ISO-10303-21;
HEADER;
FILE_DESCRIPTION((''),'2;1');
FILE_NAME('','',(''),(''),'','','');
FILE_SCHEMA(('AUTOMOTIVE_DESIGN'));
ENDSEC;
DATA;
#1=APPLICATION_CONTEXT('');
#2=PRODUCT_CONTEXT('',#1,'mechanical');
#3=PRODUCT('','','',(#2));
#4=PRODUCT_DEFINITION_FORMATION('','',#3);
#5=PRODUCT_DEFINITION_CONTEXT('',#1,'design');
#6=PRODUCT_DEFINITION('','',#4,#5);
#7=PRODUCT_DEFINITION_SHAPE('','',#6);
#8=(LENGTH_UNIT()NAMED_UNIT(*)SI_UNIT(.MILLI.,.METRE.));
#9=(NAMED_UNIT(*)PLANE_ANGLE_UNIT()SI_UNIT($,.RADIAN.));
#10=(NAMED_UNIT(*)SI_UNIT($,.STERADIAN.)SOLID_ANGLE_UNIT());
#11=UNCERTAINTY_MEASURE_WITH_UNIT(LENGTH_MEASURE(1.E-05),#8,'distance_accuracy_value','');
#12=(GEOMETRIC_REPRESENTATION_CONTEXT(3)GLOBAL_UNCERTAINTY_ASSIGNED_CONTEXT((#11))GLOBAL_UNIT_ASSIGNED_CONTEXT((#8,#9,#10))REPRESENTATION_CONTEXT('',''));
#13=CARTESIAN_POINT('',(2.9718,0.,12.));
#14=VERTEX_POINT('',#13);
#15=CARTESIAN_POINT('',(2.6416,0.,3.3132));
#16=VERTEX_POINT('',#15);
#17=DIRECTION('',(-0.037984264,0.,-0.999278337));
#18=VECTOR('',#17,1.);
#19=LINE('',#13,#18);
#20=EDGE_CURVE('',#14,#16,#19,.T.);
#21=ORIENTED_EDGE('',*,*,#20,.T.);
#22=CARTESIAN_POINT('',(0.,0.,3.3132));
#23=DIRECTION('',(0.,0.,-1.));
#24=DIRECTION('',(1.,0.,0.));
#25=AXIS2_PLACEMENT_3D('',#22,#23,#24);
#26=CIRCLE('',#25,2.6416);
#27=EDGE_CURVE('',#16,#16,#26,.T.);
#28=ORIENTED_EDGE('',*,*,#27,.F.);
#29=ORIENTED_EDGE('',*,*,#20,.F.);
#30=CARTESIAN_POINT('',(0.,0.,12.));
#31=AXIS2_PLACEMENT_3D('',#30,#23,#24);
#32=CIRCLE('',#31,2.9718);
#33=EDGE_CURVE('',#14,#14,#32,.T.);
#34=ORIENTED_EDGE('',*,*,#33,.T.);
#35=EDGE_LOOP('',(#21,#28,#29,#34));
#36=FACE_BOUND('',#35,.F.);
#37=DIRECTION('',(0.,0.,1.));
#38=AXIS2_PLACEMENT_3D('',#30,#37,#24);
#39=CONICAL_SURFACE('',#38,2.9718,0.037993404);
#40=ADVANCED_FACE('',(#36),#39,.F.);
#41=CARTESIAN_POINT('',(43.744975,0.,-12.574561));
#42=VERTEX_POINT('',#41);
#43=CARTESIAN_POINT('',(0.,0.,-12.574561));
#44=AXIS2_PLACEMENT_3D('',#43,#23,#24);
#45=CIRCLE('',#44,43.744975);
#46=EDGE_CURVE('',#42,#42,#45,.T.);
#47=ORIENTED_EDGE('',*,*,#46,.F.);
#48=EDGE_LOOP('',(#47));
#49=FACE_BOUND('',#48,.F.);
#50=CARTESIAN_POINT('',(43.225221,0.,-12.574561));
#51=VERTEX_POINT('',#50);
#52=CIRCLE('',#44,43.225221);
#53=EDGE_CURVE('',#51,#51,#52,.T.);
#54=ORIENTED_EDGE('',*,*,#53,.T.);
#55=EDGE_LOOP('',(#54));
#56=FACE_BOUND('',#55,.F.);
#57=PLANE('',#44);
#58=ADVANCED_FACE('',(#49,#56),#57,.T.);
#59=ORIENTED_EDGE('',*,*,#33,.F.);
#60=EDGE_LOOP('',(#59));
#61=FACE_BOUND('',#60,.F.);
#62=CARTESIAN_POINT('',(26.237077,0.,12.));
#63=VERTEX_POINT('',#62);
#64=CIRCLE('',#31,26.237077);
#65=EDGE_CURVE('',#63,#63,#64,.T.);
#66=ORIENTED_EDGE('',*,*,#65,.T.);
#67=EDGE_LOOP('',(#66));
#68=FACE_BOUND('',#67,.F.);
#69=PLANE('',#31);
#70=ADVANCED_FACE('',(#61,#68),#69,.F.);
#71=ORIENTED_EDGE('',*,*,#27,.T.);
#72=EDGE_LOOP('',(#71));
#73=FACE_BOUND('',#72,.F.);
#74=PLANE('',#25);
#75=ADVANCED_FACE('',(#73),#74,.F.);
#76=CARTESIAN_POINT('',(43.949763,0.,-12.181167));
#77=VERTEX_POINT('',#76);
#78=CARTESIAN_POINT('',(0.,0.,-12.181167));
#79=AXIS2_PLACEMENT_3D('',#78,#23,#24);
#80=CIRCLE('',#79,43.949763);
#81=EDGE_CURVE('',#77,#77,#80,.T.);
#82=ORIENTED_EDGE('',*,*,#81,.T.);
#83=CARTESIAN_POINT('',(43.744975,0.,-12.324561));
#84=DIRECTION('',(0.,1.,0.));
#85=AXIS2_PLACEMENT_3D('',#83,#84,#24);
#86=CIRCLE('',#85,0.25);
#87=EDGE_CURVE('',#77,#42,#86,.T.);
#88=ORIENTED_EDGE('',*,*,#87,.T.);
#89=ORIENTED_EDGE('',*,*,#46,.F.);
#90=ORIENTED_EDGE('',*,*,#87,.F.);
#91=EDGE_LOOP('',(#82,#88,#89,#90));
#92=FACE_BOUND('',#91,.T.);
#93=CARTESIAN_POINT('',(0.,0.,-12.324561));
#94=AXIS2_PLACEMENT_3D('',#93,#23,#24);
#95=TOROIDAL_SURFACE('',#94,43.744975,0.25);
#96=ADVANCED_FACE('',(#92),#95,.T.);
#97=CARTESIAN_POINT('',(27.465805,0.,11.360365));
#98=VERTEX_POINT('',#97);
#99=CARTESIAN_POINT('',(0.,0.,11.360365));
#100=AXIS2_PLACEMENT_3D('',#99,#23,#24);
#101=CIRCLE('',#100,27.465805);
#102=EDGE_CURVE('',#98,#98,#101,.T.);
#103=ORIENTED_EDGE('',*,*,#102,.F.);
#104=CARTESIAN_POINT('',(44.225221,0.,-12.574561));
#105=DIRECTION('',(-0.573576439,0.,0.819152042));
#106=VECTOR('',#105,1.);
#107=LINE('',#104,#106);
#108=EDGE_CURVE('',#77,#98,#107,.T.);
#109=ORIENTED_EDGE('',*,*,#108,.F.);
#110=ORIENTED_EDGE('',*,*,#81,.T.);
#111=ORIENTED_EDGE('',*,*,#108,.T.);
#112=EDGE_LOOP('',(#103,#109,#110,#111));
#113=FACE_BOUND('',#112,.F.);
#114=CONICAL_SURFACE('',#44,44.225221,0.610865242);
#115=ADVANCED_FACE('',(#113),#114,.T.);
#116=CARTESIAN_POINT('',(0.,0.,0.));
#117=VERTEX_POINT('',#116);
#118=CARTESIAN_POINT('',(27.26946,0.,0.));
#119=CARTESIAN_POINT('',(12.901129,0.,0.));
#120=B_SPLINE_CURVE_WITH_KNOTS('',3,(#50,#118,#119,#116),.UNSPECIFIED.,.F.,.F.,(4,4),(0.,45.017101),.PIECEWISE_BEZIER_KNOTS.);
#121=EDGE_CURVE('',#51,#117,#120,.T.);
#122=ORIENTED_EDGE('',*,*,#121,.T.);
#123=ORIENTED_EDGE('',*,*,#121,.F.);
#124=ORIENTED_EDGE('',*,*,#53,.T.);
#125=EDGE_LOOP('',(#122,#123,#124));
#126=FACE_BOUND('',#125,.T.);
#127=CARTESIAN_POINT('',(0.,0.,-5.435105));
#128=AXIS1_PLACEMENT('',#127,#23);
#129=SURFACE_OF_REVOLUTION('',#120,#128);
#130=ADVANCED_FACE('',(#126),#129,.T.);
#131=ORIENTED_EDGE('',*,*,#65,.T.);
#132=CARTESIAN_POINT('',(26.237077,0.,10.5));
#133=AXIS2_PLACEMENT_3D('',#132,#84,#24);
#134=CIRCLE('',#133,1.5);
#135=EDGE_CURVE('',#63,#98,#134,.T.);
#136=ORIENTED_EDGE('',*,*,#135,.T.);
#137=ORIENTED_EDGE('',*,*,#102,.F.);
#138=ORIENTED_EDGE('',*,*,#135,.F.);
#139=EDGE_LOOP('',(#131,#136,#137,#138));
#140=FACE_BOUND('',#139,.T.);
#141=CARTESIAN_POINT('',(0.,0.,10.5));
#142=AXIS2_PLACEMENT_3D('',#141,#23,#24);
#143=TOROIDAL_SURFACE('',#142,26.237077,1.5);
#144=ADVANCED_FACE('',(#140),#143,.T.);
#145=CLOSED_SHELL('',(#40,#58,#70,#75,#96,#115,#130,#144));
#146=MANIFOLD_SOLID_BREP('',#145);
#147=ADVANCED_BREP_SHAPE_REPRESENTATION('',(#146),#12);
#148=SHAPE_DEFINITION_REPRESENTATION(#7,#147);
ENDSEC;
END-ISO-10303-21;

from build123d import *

# Parameters (mm, degrees)
F2_R = 1.5
F3_R = 0.25


with BuildPart() as f1:
    # F0 (on Front) → F1 (revolve)
    with BuildSketch(Plane.XZ):
        with BuildLine():
            Line((27.017928, 12), (2.9718, 12))
            Line((2.9718, 12), (2.6416, 3.3132))
            Line((2.6416, 3.3132), (0, 3.3132))
            Line((0, 3.3132), (0, 0))
            add(Edge.make_bspline(
                [(43.225221, -12.574561), (27.26946, 0), (12.901129, 0), (0, 0)],
                knots=[0, 0, 0, 0, 45.017101, 45.017101, 45.017101, 45.017101], degree=3))
            Line((43.225221, -12.574561), (44.225221, -12.574561))
            Line((44.225221, -12.574561), (27.017928, 12))
        make_face()
    revolve(axis=Axis((0, 0, -5.435105), (0, 0, -1)))

    # F2
    f2_edges = [f1.edges().sort_by_distance(p)[0] for p in [
        (-27.017928, 0, 12),
    ]]
    fillet(f2_edges, radius=F2_R)

    # F3
    f3_edges = [f1.edges().sort_by_distance(p)[0] for p in [
        (-44.225221, 0, -12.574561),
    ]]
    fillet(f3_edges, radius=F3_R)


solid = f1.part
